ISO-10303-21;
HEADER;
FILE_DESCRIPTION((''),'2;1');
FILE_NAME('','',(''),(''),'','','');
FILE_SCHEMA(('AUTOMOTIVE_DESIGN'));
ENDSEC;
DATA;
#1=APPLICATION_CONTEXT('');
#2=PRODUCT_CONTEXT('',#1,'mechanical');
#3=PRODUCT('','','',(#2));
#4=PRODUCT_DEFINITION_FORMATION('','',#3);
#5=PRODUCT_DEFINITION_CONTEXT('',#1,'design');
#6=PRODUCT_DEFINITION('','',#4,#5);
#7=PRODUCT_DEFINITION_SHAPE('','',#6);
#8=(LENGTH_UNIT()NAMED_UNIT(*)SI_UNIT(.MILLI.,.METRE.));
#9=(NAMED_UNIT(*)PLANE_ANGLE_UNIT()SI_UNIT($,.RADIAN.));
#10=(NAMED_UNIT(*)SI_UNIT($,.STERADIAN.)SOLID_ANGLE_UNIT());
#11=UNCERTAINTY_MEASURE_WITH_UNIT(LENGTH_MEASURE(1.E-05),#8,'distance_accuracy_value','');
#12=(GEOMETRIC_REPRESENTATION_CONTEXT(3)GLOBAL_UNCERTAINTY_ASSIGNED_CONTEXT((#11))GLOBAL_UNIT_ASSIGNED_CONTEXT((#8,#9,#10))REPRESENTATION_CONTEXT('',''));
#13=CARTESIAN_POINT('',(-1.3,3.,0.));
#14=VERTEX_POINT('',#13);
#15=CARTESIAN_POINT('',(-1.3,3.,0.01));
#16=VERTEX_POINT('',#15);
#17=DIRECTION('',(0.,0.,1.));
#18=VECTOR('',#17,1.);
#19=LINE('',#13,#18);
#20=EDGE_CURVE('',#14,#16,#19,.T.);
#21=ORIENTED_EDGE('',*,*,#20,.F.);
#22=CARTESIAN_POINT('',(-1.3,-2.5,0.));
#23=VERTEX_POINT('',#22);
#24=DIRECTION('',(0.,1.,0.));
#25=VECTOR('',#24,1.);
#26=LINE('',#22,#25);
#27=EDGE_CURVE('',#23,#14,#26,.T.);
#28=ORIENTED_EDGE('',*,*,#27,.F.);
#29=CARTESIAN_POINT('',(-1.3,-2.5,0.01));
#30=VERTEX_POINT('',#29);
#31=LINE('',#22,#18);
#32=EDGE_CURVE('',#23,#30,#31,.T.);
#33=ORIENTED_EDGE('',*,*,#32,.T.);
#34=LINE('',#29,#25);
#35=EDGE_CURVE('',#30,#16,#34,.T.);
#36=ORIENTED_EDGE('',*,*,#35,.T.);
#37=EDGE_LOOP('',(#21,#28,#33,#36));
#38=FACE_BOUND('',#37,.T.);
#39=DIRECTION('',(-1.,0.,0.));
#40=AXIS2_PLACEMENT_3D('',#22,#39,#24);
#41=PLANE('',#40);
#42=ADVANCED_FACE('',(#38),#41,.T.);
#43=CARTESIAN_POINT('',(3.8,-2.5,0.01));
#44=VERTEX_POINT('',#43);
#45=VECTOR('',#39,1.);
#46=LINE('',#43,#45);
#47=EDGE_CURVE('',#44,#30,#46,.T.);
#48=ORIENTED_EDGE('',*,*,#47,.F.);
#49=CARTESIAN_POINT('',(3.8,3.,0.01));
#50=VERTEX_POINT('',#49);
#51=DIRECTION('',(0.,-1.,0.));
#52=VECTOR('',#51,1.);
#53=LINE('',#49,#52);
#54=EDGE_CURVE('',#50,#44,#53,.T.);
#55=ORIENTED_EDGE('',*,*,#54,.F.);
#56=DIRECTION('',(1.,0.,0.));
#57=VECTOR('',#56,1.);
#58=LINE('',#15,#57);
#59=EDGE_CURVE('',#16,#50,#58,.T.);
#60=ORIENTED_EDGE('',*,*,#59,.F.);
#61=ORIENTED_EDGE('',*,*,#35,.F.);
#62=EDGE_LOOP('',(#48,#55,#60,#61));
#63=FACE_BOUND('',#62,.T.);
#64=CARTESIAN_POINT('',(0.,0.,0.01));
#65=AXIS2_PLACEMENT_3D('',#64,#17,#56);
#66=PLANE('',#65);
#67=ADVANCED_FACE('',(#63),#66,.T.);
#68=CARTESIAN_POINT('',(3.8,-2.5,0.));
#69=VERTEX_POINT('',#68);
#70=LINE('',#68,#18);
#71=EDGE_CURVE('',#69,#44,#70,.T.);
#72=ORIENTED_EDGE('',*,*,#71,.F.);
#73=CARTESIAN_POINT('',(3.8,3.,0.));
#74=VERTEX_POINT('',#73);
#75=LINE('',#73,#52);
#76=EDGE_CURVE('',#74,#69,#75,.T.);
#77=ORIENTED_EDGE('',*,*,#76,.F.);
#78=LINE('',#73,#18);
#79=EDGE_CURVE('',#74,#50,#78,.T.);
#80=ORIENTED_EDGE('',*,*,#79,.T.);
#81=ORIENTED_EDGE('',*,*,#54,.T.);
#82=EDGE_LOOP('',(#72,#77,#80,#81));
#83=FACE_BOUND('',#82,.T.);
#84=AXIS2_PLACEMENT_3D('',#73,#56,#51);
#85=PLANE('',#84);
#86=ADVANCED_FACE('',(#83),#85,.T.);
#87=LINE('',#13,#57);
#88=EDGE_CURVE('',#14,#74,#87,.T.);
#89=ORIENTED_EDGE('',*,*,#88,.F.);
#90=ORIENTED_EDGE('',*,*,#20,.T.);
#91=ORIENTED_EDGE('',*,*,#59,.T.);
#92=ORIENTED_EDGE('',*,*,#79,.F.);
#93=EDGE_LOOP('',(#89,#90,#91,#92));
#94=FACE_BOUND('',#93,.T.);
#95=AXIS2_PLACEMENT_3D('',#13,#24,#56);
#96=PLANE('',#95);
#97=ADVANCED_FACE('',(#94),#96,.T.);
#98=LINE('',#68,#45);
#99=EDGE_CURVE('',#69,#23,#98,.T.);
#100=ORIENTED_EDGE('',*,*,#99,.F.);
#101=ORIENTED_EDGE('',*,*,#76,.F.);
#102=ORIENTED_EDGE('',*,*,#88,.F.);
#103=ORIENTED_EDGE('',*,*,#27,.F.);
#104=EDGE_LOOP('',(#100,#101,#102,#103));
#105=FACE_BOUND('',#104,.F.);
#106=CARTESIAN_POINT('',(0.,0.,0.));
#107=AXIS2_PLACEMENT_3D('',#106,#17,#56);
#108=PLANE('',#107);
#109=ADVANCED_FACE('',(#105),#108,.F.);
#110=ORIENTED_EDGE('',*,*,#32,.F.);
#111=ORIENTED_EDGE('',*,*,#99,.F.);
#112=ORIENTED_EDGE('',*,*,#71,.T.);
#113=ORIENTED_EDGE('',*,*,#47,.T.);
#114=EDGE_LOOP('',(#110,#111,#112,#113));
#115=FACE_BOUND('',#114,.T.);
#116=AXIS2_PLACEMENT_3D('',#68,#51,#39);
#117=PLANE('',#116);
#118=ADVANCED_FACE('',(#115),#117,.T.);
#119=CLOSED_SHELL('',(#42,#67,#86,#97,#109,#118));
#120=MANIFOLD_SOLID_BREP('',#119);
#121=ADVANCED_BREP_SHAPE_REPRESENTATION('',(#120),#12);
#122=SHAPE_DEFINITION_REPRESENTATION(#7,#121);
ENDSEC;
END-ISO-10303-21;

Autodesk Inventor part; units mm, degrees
ref_plane "YZ Plane" through (0, 0, 0) normal (1, 0, 0) x (0, 1, 0)
ref_plane "XZ Plane" through (0, 0, 0) normal (0, 1, 0) x (-1, 0, 0)
ref_plane "XY Plane" through (0, 0, 0) normal (0, 0, 1) x (1, 0, 0)
sketch "MOLEX-1X2, M02POLAR_6" plane through (0, 0, 0) normal (0, 0, 1) x (1, 0, 0)
  line L0 (-1.3, -2.5) -> (-1.3, 3)
  line L1 (-1.3, 3) -> (3.8, 3)
  line L2 (3.8, 3) -> (3.8, -2.5)
  line L3 (3.8, -2.5) -> (-1.3, -2.5)
extrude "Extrusion1" add sketch "MOLEX-1X2, M02POLAR_6" along normal blind 0.01
properties part number "M02POLAR"
